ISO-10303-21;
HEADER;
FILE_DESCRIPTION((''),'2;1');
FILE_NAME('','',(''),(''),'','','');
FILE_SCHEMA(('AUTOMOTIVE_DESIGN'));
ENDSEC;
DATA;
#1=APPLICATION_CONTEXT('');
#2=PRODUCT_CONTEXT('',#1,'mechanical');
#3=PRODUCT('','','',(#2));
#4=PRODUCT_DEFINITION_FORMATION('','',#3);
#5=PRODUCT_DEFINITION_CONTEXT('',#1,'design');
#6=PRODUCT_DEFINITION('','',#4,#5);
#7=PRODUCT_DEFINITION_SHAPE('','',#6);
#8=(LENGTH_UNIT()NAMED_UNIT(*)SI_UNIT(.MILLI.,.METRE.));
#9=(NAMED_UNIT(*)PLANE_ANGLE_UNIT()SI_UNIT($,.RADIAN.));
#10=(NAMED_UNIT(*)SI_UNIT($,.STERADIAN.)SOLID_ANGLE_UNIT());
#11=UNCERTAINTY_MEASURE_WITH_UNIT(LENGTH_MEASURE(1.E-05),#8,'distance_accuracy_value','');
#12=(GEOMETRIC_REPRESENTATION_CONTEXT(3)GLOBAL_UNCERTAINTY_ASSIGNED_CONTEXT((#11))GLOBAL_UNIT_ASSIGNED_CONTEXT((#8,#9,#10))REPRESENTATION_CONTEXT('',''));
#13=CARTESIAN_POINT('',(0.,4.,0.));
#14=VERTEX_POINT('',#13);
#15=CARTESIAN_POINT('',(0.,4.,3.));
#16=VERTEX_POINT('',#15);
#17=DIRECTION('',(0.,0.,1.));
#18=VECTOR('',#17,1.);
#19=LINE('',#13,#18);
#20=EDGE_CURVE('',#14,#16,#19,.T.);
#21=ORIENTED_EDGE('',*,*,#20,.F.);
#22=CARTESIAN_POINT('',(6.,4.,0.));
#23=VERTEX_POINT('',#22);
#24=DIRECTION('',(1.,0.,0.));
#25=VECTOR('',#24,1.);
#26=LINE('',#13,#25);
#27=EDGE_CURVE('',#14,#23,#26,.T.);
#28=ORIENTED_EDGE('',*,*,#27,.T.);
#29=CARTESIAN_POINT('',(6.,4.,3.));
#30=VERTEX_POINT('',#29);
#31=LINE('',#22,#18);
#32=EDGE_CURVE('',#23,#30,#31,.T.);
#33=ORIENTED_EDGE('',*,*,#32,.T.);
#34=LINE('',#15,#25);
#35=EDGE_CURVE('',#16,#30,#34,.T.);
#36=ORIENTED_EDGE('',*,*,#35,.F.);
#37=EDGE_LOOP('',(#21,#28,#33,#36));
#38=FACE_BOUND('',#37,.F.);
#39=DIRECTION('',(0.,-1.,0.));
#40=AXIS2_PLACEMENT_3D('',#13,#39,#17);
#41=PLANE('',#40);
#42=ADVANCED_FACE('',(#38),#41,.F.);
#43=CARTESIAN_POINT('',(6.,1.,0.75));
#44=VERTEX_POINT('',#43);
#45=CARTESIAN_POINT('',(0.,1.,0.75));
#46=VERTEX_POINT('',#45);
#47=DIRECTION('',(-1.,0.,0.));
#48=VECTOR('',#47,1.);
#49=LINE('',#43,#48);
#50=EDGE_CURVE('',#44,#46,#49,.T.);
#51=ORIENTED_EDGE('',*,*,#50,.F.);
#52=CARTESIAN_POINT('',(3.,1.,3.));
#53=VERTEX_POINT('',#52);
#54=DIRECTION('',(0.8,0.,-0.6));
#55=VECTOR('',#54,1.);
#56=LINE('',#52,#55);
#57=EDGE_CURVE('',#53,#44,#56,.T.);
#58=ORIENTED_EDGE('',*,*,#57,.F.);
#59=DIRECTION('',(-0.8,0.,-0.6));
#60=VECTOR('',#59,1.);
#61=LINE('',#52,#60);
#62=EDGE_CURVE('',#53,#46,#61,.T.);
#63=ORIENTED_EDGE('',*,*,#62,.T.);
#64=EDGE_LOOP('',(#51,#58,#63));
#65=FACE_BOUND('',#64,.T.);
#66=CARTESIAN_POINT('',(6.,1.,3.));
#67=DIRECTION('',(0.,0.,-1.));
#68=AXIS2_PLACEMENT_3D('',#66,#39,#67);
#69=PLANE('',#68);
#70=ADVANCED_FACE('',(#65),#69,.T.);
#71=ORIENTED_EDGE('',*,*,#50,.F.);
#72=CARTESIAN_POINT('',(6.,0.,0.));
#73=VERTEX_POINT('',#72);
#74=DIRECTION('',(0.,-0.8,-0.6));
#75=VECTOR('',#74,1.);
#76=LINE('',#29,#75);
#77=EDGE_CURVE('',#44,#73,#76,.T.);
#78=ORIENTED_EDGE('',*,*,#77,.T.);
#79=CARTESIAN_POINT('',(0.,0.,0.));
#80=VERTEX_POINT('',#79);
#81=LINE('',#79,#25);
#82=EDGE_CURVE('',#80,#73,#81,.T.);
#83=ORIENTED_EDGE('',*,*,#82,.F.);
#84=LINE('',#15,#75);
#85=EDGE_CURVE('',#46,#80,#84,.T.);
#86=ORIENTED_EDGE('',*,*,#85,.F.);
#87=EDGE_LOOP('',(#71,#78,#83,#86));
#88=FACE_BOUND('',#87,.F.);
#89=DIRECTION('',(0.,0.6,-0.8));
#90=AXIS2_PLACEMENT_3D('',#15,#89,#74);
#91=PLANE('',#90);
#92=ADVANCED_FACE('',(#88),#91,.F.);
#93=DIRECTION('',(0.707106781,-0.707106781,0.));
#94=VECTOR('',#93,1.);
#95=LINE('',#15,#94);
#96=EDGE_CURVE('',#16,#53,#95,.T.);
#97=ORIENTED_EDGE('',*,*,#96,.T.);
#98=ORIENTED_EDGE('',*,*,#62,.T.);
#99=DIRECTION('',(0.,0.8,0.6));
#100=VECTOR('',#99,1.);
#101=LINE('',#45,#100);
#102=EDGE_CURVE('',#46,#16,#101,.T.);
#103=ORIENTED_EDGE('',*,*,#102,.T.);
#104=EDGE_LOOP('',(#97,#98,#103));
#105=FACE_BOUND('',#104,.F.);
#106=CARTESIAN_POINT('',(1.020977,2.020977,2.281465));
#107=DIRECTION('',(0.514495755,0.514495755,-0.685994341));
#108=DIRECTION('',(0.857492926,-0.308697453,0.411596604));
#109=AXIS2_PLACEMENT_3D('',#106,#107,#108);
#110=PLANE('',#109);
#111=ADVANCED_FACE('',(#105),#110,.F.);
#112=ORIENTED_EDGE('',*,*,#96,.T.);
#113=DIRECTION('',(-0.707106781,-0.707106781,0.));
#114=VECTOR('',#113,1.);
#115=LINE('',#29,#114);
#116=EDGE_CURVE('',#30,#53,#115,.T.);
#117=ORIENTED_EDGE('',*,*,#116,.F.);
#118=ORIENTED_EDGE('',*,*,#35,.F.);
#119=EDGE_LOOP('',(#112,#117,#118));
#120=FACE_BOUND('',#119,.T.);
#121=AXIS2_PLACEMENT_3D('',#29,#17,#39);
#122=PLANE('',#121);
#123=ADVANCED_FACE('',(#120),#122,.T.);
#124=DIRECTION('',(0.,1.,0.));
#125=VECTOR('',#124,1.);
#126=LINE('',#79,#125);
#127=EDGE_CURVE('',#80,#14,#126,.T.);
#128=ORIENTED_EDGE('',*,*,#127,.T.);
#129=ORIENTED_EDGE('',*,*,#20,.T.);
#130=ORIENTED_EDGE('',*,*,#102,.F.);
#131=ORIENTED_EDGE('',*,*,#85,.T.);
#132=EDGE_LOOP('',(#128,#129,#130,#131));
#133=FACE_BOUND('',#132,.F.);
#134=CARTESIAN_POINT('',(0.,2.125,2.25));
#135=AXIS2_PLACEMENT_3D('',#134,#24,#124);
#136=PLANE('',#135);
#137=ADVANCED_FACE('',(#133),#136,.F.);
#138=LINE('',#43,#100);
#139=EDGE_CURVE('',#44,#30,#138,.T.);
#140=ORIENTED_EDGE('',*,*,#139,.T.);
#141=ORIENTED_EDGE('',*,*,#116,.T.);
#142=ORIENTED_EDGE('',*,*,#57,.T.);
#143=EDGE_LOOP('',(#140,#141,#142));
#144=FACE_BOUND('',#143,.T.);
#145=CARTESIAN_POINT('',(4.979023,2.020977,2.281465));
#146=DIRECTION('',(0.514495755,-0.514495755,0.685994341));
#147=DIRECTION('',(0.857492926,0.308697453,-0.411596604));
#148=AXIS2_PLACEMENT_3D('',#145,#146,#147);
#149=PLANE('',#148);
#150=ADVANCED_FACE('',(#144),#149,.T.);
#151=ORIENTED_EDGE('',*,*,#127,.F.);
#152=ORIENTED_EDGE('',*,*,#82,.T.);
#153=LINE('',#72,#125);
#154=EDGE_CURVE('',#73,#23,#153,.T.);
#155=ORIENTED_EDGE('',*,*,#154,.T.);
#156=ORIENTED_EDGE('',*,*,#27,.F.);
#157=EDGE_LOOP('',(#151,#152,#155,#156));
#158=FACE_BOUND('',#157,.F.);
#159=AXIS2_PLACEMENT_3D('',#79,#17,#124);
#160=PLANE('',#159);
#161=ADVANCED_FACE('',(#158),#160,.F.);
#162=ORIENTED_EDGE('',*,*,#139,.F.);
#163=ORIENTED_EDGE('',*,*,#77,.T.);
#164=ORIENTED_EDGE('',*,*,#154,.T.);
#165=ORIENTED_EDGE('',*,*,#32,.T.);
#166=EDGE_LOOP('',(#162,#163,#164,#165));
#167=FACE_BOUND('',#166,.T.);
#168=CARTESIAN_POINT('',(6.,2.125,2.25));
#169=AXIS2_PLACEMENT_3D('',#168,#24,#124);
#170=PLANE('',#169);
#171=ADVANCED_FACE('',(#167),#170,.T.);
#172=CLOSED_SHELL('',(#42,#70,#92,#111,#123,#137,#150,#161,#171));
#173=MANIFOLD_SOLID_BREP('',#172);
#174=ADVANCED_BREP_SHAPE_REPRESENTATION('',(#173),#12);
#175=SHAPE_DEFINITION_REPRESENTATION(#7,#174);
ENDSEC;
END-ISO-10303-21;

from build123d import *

# Parameters (mm, degrees)
F1_DEPTH  = 6
F3_DEPTH  = 6
F8_DEPTH  = 25
F11_DEPTH = 25


with BuildPart() as f1:
    # F0 (on Right) → F1 (new body)
    with BuildSketch(Plane.YZ):
        Polygon((4, 3), (0, 0), (4, 0), align=None)
    extrude(amount=F1_DEPTH)

    # F2 (on face) → F3 (join)
    with BuildSketch(Plane.YZ.offset(6)):
        Polygon((1, 0.75), (4, 3), (1, 3), align=None)
    extrude(amount=-F3_DEPTH)

    # F7 (on 3pt) → F8 (cut)
    with BuildSketch(Plane(origin=(1.5882352941, -1.5882352941, 2.1176470588), x_dir=(0.8574929257, 0.3086974533, -0.4115966043), z_dir=(0.5144957554, -0.5144957554, 0.6859943406))):
        Polygon((5.1449575543, 1.25), (5.1449575543, 5), (1.6463864174, 2.6), align=None)
    extrude(amount=F8_DEPTH, mode=Mode.SUBTRACT)

    # F10 (on 3pt) → F11 (cut)
    with BuildSketch(Plane(origin=(0, 0, 0), x_dir=(0.8574929257, -0.3086974533, 0.4115966043), z_dir=(0.5144957554, 0.5144957554, -0.6859943406))):
        Polygon((0, -1.25), (0, -5), (3.4985711369, -2.6), align=None)
    extrude(amount=-F11_DEPTH, mode=Mode.SUBTRACT)


solid = f1.part
